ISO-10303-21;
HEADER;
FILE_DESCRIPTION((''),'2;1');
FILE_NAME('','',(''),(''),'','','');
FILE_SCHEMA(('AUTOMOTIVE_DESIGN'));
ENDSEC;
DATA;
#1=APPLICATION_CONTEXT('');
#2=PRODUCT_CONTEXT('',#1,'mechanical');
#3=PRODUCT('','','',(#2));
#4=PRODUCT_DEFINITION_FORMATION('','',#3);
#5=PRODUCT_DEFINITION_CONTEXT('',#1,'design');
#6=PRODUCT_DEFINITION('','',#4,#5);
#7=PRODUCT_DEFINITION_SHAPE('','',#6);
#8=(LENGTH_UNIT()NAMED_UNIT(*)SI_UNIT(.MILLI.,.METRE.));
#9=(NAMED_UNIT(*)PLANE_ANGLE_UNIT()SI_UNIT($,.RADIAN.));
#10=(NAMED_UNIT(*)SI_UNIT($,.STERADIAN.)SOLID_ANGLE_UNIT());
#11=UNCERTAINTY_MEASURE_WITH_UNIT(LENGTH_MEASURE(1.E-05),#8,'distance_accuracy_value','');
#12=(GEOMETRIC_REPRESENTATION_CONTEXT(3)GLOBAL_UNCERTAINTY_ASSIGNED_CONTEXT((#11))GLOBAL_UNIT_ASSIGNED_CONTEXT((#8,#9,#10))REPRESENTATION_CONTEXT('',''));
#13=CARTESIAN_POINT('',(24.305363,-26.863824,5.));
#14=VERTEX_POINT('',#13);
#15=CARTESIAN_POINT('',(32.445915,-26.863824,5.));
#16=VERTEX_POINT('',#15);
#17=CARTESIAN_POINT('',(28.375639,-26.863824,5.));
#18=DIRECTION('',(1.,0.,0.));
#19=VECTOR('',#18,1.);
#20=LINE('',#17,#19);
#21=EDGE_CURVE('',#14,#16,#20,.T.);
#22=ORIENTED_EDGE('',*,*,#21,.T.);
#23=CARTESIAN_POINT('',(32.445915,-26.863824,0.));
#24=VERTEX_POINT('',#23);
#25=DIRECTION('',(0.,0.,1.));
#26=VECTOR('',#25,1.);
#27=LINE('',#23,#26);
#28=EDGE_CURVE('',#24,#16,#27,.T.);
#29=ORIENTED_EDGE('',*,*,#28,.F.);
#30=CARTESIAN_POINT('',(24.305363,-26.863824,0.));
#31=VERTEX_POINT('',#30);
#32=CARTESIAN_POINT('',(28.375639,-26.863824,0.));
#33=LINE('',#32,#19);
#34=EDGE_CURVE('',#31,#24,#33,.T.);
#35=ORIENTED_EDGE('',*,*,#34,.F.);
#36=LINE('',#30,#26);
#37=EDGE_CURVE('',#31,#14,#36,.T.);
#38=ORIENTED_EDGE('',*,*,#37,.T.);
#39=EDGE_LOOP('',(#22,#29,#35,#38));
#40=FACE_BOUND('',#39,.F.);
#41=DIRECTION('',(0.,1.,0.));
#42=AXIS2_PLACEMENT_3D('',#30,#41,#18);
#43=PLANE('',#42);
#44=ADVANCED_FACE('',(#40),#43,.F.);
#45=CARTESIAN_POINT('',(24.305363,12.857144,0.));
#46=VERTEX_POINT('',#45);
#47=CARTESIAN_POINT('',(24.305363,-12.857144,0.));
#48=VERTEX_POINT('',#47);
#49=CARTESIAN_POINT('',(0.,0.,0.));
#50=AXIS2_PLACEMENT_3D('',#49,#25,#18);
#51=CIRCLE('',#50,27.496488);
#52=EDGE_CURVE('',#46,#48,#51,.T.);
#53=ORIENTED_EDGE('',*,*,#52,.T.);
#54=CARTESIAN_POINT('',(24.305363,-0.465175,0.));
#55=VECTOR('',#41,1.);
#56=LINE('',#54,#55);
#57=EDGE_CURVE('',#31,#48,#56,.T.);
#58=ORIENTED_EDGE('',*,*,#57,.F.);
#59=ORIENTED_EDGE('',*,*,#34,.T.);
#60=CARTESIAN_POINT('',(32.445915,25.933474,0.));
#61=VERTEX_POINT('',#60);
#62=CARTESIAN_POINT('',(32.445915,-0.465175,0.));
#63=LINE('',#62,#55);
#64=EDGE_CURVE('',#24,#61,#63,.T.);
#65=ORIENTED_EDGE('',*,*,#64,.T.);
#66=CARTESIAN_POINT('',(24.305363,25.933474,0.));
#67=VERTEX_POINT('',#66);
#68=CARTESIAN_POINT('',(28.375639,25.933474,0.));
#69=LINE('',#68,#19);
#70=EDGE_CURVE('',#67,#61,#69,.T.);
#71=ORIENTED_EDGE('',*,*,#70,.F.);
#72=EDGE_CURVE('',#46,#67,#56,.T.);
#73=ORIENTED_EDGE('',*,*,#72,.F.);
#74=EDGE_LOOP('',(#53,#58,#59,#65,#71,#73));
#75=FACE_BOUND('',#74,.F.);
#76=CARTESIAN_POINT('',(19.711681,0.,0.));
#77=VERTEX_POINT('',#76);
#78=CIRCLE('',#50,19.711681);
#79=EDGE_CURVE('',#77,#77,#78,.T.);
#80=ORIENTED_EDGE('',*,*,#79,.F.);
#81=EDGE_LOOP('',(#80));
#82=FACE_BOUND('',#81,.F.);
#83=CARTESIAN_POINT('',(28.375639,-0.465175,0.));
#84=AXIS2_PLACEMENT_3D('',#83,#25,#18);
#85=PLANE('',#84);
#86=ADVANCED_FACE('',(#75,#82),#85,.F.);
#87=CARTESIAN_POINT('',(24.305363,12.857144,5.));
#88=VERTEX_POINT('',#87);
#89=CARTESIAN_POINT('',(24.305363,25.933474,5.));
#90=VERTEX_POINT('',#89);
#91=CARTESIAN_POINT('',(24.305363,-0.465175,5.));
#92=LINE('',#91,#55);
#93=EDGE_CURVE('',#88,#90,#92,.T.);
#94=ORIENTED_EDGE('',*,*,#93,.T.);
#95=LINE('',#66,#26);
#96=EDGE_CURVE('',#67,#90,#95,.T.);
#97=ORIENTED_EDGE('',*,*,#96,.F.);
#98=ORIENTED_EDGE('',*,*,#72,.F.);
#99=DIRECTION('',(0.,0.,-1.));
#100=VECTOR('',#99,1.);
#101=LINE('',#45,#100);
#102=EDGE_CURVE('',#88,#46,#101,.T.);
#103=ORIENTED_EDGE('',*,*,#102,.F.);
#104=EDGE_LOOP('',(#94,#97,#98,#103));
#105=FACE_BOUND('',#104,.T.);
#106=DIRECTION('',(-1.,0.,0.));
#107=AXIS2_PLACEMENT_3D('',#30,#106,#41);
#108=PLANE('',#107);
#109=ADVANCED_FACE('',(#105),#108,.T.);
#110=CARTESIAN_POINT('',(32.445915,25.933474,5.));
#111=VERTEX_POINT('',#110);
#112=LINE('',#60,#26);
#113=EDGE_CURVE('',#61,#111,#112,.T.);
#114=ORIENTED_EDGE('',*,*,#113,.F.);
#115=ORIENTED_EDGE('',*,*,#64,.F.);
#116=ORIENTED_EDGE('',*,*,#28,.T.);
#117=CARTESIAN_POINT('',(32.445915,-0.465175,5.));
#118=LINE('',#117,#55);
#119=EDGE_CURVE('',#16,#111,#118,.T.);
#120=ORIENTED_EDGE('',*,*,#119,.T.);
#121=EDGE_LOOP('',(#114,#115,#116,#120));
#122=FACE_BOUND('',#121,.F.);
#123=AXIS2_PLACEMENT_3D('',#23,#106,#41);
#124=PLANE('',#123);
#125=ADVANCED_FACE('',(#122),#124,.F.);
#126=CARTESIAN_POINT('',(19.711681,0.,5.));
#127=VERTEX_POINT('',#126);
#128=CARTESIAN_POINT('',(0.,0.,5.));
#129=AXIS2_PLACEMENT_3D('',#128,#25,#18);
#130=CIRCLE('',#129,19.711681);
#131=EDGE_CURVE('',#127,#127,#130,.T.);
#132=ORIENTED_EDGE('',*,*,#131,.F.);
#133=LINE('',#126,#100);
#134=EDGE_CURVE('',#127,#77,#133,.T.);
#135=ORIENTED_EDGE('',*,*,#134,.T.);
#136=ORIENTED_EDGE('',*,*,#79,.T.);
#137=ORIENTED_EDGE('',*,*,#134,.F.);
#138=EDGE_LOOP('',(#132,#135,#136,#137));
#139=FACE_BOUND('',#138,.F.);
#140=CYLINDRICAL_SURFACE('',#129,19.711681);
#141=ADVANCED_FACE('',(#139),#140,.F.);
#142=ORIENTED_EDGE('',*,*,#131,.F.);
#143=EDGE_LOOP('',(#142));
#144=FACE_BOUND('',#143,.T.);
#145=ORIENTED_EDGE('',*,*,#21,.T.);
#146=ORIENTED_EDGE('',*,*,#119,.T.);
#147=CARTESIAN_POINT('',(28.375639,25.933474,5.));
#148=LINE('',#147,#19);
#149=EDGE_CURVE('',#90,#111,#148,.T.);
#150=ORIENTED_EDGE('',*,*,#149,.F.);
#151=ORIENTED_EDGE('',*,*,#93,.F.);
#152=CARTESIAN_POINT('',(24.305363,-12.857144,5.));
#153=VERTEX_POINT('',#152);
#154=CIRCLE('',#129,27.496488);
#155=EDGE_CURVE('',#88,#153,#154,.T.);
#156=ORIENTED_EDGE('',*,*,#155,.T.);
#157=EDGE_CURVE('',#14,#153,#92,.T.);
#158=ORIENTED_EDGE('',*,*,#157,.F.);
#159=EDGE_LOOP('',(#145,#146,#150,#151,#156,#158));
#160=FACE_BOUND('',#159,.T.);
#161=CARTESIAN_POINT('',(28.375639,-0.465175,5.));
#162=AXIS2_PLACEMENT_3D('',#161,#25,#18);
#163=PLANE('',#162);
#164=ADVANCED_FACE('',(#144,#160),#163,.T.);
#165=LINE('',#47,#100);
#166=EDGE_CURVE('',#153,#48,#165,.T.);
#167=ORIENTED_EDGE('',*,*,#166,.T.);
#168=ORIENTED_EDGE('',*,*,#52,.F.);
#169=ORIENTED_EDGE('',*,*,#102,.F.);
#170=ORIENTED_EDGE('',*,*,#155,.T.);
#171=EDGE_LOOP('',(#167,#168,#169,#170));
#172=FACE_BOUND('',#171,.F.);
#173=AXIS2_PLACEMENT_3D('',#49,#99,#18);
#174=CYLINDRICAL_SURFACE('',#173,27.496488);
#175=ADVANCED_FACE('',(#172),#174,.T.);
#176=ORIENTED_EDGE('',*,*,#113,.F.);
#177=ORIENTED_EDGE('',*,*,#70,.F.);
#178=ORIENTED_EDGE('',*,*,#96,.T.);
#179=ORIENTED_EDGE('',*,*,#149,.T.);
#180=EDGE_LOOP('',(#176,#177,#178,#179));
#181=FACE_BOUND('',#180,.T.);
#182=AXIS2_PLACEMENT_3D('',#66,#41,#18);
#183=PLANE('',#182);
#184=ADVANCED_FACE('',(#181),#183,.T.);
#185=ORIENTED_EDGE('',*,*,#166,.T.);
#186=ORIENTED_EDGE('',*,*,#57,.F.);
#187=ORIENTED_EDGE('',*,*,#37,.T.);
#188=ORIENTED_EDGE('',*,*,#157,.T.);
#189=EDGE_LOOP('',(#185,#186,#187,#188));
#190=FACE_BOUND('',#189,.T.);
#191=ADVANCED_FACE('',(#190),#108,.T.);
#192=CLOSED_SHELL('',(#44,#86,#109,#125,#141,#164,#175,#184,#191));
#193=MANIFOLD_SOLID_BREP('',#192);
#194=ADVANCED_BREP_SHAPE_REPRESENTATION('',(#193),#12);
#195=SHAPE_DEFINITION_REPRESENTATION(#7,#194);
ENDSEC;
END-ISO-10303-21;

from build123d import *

# Parameters (mm, degrees)
F0_R     = 27.496488
F1_DEPTH = 5
F2_R     = 19.711681
F3_DEPTH = 5
F4_W     = 8.140551
F4_H     = 52.797299
F5_DEPTH = 5


with BuildPart() as f1:
    # F0 (on Top) → F1 (new body)
    with BuildSketch(Plane.XY):
        Circle(F0_R)
    extrude(amount=F1_DEPTH)

    # F2 (on face) → F3 (cut)
    with BuildSketch(Plane.XY.offset(5)):
        Circle(F2_R)
    extrude(amount=-F3_DEPTH, mode=Mode.SUBTRACT)

    # F4 (on Top) → F5 (join)
    with BuildSketch(Plane.XY):
        with Locations((28.375639, -0.465175)):
            Rectangle(F4_W, F4_H)
    extrude(amount=F5_DEPTH)


solid = f1.part
